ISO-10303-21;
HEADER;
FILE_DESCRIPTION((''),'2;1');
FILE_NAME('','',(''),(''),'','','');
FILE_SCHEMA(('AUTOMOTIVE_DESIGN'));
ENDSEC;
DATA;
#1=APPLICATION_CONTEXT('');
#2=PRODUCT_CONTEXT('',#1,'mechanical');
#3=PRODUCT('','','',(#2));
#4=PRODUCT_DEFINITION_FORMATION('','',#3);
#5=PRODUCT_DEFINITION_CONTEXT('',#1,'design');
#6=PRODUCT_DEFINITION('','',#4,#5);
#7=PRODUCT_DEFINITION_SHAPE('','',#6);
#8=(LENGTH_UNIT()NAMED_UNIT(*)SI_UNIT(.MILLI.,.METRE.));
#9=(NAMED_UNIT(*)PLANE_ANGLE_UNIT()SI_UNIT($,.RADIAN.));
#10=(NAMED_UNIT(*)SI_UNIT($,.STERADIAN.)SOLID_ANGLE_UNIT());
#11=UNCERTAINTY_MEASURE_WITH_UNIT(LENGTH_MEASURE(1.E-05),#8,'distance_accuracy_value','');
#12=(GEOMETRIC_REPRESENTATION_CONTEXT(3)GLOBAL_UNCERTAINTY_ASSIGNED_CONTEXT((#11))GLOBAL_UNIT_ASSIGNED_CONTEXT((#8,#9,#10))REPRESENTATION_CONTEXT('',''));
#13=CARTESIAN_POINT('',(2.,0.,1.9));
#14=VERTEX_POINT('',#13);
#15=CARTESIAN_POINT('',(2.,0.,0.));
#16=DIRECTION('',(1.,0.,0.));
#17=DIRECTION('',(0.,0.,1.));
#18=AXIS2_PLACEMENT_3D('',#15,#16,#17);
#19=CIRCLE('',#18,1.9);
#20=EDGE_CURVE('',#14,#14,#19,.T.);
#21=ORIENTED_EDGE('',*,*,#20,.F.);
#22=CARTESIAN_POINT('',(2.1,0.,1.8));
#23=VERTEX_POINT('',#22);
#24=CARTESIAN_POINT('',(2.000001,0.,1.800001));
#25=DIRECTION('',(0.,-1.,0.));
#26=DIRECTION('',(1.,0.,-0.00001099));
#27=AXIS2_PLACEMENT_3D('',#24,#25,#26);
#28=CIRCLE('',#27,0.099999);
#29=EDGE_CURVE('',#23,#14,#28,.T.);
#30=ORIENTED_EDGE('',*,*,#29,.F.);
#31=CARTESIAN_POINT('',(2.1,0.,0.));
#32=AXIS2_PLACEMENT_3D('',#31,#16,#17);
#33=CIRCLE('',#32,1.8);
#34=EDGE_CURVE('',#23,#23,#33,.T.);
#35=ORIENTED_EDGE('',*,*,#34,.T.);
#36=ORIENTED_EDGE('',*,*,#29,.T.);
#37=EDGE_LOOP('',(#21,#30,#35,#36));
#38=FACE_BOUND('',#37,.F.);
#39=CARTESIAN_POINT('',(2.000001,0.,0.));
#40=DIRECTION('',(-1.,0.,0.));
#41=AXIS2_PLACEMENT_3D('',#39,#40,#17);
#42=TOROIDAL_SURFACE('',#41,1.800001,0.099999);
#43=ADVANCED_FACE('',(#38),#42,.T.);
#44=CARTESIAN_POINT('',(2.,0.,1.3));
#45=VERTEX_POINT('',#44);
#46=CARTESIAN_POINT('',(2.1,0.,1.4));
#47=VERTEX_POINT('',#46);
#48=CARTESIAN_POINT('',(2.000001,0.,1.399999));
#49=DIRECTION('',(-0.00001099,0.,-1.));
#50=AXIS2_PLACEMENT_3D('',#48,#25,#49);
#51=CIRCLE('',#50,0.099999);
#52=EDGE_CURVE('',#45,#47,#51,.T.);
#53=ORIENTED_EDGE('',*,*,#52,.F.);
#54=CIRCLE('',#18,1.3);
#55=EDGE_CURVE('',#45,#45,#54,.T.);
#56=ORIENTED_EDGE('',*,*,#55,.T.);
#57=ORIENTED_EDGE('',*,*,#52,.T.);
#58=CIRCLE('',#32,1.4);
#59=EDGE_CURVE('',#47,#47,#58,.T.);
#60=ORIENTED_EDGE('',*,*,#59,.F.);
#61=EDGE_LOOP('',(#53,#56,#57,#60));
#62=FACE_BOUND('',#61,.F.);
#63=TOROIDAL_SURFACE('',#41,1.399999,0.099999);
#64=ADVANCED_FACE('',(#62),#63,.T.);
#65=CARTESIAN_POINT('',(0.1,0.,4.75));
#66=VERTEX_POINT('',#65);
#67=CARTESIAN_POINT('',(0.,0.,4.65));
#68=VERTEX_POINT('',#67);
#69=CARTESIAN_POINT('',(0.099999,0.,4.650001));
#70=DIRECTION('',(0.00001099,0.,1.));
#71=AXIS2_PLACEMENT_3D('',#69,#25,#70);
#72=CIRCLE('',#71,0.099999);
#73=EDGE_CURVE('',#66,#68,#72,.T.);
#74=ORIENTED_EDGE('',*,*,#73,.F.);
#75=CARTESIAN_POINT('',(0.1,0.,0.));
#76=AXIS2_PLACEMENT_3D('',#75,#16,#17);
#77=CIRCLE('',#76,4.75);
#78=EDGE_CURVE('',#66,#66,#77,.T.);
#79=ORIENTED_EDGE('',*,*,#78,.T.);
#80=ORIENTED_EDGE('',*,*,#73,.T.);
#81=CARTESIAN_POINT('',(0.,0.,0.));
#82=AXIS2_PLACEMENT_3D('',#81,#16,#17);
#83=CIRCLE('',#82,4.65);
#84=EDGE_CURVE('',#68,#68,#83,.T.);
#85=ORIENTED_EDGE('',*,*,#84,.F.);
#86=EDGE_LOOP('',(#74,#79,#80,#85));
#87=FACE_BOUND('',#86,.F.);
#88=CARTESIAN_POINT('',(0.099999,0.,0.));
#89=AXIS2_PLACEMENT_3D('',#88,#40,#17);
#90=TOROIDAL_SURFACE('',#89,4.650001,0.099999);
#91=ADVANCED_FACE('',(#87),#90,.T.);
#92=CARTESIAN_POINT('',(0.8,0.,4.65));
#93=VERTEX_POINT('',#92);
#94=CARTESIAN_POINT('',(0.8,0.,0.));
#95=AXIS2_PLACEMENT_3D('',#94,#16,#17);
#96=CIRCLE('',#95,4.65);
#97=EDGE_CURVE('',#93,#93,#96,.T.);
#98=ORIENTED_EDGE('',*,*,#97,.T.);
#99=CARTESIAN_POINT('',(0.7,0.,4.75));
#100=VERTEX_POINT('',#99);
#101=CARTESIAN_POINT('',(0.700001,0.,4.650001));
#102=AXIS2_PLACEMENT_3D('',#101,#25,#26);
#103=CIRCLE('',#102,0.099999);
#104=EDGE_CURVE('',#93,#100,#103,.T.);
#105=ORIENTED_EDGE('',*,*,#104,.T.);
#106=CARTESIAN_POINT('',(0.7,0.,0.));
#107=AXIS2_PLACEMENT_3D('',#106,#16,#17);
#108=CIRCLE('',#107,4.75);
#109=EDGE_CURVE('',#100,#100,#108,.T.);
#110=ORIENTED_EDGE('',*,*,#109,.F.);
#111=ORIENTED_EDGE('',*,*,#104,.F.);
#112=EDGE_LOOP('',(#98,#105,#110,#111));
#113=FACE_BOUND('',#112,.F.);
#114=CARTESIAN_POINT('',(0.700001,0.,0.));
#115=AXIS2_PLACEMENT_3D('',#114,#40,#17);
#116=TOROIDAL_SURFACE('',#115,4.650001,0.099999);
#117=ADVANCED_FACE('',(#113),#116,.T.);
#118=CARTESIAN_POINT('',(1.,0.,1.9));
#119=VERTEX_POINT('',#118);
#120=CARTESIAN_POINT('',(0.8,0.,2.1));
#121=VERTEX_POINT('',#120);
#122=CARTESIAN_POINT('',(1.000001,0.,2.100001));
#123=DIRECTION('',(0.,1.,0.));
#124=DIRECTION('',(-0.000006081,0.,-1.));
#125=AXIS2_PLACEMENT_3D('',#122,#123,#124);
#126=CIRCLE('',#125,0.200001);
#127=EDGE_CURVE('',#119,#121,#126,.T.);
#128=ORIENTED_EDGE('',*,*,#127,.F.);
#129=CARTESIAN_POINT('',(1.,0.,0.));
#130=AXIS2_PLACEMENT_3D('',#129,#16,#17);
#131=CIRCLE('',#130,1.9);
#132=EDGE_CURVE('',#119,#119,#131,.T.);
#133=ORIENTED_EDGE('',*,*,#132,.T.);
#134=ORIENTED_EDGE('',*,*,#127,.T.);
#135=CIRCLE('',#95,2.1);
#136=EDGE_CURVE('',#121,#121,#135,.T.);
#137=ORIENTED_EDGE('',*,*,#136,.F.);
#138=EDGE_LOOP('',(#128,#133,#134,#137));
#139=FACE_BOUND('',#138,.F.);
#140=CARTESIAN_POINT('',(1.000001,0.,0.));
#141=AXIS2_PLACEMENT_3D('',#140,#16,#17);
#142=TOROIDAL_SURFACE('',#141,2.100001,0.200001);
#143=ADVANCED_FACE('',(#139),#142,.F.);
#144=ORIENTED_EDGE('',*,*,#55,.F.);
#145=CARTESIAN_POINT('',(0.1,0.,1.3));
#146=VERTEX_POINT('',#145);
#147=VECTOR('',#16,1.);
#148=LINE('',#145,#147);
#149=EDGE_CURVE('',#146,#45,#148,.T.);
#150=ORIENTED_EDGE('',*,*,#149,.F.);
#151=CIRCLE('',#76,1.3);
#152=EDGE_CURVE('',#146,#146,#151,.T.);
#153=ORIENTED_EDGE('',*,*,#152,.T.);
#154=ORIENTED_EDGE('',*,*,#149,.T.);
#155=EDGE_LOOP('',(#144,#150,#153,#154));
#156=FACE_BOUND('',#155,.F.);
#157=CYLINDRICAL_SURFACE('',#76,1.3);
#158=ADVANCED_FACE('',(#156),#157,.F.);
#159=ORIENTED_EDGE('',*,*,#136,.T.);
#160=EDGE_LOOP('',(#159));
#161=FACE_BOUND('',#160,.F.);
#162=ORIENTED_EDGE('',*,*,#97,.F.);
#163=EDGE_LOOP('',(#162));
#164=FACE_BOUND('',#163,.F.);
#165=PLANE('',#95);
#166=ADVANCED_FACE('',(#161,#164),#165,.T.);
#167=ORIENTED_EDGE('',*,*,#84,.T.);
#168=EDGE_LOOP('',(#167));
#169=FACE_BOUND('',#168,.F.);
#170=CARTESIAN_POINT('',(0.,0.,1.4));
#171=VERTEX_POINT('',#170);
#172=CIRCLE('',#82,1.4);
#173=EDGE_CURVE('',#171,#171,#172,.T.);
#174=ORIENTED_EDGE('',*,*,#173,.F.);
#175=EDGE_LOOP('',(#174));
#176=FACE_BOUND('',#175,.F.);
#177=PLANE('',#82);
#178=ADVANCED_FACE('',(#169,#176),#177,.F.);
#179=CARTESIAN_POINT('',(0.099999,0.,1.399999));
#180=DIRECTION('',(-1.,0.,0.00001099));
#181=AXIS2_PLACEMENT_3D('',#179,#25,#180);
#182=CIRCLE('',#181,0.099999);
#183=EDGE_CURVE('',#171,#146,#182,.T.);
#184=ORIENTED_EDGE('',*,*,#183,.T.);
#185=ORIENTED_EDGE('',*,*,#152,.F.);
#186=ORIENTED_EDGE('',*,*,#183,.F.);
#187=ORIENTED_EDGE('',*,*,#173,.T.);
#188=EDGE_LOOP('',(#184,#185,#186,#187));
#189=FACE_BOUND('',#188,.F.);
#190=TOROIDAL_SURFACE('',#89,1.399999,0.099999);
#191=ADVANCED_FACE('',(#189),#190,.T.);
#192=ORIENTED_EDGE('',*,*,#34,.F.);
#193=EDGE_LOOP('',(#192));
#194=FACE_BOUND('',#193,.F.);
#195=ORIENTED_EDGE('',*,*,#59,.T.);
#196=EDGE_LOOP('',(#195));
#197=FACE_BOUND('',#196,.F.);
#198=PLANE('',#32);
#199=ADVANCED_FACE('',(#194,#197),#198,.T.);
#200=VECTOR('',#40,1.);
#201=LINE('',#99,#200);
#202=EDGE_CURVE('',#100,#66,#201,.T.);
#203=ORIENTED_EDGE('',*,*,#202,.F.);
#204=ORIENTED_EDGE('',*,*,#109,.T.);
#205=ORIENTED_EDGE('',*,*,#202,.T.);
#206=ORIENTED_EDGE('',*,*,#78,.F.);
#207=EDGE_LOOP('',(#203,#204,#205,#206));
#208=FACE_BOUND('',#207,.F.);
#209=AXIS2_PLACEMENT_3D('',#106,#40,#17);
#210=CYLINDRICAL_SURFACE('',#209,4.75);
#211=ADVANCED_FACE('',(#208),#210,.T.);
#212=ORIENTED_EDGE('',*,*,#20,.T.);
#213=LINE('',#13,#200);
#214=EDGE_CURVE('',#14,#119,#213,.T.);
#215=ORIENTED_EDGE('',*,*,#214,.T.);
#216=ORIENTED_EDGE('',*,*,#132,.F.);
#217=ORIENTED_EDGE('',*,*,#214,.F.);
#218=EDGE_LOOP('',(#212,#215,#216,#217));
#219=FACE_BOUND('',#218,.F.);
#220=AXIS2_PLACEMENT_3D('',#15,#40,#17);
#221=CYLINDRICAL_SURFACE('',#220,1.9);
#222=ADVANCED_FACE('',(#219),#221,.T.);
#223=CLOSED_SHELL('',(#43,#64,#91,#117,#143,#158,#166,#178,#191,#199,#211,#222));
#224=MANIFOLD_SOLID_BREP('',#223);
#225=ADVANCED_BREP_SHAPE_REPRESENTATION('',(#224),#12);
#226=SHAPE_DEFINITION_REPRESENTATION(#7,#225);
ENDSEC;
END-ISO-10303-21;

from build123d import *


with BuildPart() as f1:
    # F0 (on Front) → F1 (revolve)
    with BuildSketch(Plane.XZ):
        with BuildLine():
            Line((0.7, 4.75), (0.1, 4.75))
            ThreePointArc((0.1, 4.75), (0.029289, 4.720711), (0, 4.65))
            Line((0, 4.65), (0, 1.4))
            ThreePointArc((0, 1.4), (0.029289, 1.329289), (0.1, 1.3))
            Line((0.1, 1.3), (2, 1.3))
            ThreePointArc((2, 1.3), (2.070711, 1.329289), (2.1, 1.4))
            Line((2.1, 1.4), (2.1, 1.8))
            ThreePointArc((2.1, 1.8), (2.070711, 1.870711), (2, 1.9))
            Line((2, 1.9), (1, 1.9))
            ThreePointArc((1, 1.9), (0.858579, 1.958579), (0.8, 2.1))
            Line((0.8, 2.1), (0.8, 4.65))
            ThreePointArc((0.8, 4.65), (0.770711, 4.720711), (0.7, 4.75))
        make_face()
    revolve(axis=Axis((1.4629, 0, 0), (1, 0, 0)))


solid = f1.part
